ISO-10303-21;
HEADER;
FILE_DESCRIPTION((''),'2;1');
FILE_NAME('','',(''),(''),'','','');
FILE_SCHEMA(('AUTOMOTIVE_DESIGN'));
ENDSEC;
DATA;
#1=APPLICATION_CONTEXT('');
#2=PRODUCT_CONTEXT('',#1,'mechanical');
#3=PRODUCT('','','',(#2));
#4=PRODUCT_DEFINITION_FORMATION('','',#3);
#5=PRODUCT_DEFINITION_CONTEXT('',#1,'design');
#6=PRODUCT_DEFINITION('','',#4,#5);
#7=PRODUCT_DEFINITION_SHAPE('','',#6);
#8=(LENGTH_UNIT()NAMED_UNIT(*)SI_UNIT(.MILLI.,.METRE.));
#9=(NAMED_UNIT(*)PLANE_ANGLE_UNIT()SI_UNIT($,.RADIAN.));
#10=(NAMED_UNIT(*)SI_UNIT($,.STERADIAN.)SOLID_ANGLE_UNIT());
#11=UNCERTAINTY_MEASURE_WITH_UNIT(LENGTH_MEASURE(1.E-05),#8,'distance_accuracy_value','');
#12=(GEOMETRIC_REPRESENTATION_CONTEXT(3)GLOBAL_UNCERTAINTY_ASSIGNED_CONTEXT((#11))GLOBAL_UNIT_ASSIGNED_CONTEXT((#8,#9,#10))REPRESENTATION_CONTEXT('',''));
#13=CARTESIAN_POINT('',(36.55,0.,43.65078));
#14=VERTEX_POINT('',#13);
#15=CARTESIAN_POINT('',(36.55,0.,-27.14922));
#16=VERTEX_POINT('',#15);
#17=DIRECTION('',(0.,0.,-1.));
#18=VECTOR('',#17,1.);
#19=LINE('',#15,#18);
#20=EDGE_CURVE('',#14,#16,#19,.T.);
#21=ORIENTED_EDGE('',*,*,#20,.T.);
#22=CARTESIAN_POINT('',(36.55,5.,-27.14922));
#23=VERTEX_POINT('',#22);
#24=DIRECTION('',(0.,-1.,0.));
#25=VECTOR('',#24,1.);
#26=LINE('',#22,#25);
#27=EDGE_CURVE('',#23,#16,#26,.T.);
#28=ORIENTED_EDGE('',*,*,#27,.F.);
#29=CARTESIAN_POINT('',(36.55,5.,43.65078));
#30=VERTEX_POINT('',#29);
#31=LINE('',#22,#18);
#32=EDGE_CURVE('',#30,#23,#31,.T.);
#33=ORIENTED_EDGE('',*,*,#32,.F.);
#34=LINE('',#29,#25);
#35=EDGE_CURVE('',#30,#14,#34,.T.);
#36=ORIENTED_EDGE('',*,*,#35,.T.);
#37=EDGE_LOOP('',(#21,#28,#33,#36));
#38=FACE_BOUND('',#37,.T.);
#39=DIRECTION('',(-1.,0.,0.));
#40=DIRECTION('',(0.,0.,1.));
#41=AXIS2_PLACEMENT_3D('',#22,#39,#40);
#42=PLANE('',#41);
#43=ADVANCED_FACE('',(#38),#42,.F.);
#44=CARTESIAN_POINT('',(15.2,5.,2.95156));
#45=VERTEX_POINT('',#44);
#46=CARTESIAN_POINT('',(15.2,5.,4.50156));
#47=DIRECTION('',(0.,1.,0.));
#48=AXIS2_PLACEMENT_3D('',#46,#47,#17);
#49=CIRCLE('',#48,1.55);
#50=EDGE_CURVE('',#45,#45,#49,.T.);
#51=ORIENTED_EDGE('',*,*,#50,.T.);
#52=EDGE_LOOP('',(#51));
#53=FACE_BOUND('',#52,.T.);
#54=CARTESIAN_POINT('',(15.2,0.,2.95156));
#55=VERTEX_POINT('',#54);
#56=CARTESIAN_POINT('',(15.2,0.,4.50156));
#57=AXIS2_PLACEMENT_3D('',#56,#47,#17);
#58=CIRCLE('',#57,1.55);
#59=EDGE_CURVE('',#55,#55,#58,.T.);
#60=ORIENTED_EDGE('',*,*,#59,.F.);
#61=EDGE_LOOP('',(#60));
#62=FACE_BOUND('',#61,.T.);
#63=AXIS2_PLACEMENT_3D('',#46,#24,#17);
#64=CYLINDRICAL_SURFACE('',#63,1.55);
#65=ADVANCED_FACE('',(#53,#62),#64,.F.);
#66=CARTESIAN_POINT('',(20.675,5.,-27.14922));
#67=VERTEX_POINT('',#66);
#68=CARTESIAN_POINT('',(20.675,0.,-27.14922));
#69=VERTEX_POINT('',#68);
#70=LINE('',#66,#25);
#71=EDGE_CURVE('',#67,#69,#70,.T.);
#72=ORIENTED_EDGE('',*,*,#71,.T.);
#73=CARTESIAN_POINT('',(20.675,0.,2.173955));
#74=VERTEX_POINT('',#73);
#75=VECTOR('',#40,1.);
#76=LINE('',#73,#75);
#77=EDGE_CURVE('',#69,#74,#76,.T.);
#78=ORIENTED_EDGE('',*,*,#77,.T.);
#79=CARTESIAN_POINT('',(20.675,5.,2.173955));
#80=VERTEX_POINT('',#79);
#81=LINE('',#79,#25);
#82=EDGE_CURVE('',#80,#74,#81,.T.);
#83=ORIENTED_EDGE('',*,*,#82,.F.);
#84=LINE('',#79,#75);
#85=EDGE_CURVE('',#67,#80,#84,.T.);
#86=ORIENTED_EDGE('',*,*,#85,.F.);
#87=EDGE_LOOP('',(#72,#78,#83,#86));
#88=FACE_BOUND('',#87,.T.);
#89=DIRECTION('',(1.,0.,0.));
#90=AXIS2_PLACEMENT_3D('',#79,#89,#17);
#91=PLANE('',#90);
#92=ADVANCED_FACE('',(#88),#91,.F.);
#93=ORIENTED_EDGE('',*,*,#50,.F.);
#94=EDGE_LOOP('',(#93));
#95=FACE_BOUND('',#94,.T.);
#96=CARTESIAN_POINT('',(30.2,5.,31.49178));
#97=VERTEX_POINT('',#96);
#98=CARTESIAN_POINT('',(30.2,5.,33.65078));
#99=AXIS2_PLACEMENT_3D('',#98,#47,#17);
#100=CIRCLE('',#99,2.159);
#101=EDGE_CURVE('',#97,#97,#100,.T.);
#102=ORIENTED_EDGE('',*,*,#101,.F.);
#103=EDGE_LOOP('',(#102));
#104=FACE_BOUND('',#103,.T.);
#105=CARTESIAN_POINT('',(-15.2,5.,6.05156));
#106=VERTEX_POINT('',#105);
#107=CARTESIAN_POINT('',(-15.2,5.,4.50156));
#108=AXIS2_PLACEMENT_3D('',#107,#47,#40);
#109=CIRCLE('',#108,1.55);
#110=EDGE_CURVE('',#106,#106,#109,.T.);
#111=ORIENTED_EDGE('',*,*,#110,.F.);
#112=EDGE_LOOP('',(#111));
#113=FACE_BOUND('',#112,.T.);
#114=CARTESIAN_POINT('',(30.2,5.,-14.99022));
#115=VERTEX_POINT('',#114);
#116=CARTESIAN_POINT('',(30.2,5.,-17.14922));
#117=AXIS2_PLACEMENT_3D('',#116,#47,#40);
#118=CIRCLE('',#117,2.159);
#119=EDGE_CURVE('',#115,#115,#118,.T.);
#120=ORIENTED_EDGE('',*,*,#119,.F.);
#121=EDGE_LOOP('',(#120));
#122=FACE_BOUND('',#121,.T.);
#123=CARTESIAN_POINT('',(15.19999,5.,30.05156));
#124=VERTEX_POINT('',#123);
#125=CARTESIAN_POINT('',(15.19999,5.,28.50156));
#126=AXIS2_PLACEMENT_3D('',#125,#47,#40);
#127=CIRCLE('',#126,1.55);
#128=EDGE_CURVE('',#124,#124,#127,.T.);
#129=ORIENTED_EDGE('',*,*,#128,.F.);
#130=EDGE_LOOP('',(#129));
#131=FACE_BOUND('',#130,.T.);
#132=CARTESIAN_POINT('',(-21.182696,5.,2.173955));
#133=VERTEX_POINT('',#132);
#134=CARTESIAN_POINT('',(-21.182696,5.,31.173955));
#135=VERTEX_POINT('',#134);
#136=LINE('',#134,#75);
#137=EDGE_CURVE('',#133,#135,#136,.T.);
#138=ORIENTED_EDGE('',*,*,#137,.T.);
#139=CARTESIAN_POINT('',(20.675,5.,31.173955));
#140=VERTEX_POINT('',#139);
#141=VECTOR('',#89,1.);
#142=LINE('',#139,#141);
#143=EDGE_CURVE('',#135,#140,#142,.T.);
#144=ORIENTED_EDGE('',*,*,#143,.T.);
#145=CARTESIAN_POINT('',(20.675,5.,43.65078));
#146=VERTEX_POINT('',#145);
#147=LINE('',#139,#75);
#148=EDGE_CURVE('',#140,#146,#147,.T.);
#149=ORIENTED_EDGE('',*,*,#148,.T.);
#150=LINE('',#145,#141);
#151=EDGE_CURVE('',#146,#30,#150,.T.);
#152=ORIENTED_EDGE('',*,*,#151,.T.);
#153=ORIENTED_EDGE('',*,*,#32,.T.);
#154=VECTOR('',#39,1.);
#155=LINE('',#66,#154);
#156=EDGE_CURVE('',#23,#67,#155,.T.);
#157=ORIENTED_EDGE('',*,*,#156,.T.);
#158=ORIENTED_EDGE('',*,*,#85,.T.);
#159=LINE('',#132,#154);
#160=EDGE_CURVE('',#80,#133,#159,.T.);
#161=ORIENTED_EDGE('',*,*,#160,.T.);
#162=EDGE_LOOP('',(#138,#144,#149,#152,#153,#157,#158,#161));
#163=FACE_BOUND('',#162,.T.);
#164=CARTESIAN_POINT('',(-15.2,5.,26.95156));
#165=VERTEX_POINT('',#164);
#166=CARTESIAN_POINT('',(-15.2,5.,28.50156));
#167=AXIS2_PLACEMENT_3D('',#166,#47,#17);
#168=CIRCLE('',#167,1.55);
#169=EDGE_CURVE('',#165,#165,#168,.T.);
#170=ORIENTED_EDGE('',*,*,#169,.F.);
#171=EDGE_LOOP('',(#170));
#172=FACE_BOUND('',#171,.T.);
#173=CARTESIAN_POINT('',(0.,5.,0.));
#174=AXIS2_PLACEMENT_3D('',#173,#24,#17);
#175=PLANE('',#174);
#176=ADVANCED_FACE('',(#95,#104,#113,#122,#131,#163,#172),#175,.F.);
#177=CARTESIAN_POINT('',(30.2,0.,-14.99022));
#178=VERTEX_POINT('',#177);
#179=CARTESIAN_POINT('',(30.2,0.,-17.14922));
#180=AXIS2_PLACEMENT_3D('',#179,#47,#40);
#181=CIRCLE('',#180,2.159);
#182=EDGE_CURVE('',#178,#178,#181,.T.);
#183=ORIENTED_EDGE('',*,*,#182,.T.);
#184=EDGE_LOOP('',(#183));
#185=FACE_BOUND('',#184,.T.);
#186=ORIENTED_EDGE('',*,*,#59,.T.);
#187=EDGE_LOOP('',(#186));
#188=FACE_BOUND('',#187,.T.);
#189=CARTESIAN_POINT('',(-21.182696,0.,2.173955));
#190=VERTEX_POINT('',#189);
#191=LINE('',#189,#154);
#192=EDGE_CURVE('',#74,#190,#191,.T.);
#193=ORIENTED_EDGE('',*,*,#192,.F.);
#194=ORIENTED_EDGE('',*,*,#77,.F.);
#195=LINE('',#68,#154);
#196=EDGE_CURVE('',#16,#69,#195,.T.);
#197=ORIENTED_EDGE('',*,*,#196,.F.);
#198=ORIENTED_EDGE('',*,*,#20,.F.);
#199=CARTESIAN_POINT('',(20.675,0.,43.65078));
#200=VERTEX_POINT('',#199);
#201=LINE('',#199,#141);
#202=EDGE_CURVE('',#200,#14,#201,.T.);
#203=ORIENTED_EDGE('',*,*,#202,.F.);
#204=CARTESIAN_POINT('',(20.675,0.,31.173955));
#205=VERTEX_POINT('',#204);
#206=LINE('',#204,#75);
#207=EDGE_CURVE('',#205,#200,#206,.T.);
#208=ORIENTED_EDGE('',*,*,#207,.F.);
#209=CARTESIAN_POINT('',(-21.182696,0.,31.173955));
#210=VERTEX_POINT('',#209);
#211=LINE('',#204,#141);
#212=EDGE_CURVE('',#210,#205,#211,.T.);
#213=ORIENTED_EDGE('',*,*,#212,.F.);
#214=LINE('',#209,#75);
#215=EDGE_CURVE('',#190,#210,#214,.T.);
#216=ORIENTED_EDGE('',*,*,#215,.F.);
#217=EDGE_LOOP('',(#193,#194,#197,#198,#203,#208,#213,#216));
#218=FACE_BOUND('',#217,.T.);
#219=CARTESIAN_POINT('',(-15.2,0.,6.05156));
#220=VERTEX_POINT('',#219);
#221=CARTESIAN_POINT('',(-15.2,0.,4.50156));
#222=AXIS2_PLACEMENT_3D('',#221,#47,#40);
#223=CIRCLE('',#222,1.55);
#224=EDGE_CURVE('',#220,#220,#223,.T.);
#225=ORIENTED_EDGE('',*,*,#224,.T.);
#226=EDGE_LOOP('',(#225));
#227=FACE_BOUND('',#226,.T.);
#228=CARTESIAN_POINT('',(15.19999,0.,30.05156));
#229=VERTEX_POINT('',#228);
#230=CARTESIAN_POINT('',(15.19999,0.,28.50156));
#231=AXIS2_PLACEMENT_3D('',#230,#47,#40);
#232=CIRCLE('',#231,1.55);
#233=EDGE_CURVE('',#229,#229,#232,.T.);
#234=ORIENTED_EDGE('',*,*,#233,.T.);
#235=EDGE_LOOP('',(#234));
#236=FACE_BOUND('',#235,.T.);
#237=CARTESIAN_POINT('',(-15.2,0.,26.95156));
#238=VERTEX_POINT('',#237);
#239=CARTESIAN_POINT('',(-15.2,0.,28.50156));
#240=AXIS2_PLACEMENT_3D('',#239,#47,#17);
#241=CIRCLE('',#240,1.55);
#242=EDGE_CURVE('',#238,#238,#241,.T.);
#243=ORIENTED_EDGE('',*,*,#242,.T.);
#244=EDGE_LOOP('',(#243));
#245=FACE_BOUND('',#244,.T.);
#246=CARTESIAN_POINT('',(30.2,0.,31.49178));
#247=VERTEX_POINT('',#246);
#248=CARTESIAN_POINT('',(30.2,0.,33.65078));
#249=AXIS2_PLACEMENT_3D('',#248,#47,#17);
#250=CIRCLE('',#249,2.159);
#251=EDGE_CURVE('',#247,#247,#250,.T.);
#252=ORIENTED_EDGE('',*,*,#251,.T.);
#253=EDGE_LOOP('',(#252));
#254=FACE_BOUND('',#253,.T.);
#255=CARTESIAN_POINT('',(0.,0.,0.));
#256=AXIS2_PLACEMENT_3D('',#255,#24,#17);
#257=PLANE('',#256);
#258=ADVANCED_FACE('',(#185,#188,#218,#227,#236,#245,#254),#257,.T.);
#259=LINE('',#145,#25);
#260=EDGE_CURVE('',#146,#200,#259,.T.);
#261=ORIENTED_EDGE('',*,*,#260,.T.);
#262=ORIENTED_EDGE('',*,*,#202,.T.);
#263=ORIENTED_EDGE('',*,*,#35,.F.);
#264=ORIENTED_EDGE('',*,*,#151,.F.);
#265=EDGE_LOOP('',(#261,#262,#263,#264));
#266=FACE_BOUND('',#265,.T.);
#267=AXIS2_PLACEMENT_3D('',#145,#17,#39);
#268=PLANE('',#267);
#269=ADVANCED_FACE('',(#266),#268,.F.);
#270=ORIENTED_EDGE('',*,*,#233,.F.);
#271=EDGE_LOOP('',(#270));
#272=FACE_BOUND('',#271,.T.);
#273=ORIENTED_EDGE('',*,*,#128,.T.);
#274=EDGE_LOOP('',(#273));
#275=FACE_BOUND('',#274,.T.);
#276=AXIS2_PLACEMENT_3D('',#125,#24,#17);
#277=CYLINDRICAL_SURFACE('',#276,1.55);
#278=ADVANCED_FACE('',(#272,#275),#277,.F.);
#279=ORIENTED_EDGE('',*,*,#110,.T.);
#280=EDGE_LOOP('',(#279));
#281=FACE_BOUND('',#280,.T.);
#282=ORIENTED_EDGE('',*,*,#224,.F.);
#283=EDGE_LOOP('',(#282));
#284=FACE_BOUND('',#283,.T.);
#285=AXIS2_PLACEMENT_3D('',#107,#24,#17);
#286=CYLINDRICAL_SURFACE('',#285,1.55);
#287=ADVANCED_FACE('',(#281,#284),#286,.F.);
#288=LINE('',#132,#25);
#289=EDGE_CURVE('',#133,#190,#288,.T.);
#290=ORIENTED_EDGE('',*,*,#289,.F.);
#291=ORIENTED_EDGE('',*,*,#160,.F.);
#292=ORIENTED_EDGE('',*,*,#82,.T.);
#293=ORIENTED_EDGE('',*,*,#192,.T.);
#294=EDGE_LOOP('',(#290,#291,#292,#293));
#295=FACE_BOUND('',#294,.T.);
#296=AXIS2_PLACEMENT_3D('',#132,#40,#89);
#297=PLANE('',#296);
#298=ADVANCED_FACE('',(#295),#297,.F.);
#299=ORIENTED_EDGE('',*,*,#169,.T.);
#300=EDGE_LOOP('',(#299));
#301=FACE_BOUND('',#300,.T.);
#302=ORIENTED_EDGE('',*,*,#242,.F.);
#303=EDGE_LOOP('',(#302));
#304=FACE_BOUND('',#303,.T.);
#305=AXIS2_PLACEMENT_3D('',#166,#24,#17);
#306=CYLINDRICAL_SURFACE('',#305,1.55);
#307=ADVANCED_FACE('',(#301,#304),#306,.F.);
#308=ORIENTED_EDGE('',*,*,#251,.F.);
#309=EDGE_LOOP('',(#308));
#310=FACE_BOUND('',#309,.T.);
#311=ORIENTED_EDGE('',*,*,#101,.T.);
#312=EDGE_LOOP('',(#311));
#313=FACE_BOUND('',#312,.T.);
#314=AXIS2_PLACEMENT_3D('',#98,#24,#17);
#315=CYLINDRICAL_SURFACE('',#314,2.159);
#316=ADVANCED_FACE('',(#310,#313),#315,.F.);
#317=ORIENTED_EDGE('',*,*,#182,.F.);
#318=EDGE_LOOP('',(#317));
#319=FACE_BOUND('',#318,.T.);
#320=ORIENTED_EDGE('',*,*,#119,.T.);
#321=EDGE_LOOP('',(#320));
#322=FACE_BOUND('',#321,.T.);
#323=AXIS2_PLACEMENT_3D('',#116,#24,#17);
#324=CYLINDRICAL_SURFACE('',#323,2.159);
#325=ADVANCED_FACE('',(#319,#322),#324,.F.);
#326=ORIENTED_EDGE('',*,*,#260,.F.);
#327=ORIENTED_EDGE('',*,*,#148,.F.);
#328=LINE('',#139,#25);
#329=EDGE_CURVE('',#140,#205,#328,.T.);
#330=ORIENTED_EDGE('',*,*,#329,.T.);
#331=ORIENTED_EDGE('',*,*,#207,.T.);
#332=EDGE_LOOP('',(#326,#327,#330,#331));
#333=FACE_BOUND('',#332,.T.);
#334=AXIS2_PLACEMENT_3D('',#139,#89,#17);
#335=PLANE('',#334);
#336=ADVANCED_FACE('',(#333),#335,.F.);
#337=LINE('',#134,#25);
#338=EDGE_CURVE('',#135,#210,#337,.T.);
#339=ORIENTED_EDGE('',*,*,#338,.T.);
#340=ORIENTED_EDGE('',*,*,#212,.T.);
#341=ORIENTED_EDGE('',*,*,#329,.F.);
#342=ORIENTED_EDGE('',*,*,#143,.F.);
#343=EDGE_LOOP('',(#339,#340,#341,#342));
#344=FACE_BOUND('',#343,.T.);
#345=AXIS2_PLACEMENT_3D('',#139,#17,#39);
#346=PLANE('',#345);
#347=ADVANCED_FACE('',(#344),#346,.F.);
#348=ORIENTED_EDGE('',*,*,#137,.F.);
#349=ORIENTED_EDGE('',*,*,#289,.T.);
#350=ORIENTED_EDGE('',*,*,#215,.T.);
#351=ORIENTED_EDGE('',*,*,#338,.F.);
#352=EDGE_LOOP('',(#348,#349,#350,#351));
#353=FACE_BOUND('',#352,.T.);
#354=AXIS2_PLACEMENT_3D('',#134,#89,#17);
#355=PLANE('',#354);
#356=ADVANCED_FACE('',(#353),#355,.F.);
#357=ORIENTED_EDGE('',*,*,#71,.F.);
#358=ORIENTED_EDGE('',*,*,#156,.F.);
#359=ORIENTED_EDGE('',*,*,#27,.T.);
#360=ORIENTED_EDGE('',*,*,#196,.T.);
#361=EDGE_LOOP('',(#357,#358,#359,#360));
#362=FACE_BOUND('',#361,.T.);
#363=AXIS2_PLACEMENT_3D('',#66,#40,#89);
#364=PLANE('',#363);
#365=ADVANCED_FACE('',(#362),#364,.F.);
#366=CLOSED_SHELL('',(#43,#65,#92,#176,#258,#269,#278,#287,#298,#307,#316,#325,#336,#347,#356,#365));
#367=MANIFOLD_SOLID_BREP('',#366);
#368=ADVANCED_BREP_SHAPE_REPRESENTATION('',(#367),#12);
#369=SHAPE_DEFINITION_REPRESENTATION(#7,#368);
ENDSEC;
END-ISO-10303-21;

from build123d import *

# Parameters (mm, degrees)
SKETCH1_R           = 2.159
SKETCH1_R_2         = 1.55
BOSS_EXTRUDE1_DEPTH = 5


with BuildPart() as part:
    # Sketch1 → Boss-Extrude1 (new body)
    with BuildSketch(Plane(origin=(0, 0, 0), x_dir=(1, 0, 0), z_dir=(0, 1, 0))):
        Polygon((36.55, 27.14922), (36.55, -43.65078), (20.675, -43.65078), (20.675, -31.173955128), (-21.18269604, -31.173955128), (-21.18269604, -2.173955128), (20.675, -2.173955128), (20.675, 27.14922), align=None)
        with Locations((30.2, -33.65078)):
            Circle(SKETCH1_R, mode=Mode.SUBTRACT)
        with Locations((-15.2, -28.50156)):
            Circle(SKETCH1_R_2, mode=Mode.SUBTRACT)
        with Locations((15.19999, -28.50156)):
            Circle(SKETCH1_R_2, mode=Mode.SUBTRACT)
        with Locations((-15.2, -4.50156)):
            Circle(SKETCH1_R_2, mode=Mode.SUBTRACT)
        with Locations((15.2, -4.50156)):
            Circle(SKETCH1_R_2, mode=Mode.SUBTRACT)
        with Locations((30.2, 17.14922)):
            Circle(SKETCH1_R, mode=Mode.SUBTRACT)
    extrude(amount=BOSS_EXTRUDE1_DEPTH)


solid = part.part
